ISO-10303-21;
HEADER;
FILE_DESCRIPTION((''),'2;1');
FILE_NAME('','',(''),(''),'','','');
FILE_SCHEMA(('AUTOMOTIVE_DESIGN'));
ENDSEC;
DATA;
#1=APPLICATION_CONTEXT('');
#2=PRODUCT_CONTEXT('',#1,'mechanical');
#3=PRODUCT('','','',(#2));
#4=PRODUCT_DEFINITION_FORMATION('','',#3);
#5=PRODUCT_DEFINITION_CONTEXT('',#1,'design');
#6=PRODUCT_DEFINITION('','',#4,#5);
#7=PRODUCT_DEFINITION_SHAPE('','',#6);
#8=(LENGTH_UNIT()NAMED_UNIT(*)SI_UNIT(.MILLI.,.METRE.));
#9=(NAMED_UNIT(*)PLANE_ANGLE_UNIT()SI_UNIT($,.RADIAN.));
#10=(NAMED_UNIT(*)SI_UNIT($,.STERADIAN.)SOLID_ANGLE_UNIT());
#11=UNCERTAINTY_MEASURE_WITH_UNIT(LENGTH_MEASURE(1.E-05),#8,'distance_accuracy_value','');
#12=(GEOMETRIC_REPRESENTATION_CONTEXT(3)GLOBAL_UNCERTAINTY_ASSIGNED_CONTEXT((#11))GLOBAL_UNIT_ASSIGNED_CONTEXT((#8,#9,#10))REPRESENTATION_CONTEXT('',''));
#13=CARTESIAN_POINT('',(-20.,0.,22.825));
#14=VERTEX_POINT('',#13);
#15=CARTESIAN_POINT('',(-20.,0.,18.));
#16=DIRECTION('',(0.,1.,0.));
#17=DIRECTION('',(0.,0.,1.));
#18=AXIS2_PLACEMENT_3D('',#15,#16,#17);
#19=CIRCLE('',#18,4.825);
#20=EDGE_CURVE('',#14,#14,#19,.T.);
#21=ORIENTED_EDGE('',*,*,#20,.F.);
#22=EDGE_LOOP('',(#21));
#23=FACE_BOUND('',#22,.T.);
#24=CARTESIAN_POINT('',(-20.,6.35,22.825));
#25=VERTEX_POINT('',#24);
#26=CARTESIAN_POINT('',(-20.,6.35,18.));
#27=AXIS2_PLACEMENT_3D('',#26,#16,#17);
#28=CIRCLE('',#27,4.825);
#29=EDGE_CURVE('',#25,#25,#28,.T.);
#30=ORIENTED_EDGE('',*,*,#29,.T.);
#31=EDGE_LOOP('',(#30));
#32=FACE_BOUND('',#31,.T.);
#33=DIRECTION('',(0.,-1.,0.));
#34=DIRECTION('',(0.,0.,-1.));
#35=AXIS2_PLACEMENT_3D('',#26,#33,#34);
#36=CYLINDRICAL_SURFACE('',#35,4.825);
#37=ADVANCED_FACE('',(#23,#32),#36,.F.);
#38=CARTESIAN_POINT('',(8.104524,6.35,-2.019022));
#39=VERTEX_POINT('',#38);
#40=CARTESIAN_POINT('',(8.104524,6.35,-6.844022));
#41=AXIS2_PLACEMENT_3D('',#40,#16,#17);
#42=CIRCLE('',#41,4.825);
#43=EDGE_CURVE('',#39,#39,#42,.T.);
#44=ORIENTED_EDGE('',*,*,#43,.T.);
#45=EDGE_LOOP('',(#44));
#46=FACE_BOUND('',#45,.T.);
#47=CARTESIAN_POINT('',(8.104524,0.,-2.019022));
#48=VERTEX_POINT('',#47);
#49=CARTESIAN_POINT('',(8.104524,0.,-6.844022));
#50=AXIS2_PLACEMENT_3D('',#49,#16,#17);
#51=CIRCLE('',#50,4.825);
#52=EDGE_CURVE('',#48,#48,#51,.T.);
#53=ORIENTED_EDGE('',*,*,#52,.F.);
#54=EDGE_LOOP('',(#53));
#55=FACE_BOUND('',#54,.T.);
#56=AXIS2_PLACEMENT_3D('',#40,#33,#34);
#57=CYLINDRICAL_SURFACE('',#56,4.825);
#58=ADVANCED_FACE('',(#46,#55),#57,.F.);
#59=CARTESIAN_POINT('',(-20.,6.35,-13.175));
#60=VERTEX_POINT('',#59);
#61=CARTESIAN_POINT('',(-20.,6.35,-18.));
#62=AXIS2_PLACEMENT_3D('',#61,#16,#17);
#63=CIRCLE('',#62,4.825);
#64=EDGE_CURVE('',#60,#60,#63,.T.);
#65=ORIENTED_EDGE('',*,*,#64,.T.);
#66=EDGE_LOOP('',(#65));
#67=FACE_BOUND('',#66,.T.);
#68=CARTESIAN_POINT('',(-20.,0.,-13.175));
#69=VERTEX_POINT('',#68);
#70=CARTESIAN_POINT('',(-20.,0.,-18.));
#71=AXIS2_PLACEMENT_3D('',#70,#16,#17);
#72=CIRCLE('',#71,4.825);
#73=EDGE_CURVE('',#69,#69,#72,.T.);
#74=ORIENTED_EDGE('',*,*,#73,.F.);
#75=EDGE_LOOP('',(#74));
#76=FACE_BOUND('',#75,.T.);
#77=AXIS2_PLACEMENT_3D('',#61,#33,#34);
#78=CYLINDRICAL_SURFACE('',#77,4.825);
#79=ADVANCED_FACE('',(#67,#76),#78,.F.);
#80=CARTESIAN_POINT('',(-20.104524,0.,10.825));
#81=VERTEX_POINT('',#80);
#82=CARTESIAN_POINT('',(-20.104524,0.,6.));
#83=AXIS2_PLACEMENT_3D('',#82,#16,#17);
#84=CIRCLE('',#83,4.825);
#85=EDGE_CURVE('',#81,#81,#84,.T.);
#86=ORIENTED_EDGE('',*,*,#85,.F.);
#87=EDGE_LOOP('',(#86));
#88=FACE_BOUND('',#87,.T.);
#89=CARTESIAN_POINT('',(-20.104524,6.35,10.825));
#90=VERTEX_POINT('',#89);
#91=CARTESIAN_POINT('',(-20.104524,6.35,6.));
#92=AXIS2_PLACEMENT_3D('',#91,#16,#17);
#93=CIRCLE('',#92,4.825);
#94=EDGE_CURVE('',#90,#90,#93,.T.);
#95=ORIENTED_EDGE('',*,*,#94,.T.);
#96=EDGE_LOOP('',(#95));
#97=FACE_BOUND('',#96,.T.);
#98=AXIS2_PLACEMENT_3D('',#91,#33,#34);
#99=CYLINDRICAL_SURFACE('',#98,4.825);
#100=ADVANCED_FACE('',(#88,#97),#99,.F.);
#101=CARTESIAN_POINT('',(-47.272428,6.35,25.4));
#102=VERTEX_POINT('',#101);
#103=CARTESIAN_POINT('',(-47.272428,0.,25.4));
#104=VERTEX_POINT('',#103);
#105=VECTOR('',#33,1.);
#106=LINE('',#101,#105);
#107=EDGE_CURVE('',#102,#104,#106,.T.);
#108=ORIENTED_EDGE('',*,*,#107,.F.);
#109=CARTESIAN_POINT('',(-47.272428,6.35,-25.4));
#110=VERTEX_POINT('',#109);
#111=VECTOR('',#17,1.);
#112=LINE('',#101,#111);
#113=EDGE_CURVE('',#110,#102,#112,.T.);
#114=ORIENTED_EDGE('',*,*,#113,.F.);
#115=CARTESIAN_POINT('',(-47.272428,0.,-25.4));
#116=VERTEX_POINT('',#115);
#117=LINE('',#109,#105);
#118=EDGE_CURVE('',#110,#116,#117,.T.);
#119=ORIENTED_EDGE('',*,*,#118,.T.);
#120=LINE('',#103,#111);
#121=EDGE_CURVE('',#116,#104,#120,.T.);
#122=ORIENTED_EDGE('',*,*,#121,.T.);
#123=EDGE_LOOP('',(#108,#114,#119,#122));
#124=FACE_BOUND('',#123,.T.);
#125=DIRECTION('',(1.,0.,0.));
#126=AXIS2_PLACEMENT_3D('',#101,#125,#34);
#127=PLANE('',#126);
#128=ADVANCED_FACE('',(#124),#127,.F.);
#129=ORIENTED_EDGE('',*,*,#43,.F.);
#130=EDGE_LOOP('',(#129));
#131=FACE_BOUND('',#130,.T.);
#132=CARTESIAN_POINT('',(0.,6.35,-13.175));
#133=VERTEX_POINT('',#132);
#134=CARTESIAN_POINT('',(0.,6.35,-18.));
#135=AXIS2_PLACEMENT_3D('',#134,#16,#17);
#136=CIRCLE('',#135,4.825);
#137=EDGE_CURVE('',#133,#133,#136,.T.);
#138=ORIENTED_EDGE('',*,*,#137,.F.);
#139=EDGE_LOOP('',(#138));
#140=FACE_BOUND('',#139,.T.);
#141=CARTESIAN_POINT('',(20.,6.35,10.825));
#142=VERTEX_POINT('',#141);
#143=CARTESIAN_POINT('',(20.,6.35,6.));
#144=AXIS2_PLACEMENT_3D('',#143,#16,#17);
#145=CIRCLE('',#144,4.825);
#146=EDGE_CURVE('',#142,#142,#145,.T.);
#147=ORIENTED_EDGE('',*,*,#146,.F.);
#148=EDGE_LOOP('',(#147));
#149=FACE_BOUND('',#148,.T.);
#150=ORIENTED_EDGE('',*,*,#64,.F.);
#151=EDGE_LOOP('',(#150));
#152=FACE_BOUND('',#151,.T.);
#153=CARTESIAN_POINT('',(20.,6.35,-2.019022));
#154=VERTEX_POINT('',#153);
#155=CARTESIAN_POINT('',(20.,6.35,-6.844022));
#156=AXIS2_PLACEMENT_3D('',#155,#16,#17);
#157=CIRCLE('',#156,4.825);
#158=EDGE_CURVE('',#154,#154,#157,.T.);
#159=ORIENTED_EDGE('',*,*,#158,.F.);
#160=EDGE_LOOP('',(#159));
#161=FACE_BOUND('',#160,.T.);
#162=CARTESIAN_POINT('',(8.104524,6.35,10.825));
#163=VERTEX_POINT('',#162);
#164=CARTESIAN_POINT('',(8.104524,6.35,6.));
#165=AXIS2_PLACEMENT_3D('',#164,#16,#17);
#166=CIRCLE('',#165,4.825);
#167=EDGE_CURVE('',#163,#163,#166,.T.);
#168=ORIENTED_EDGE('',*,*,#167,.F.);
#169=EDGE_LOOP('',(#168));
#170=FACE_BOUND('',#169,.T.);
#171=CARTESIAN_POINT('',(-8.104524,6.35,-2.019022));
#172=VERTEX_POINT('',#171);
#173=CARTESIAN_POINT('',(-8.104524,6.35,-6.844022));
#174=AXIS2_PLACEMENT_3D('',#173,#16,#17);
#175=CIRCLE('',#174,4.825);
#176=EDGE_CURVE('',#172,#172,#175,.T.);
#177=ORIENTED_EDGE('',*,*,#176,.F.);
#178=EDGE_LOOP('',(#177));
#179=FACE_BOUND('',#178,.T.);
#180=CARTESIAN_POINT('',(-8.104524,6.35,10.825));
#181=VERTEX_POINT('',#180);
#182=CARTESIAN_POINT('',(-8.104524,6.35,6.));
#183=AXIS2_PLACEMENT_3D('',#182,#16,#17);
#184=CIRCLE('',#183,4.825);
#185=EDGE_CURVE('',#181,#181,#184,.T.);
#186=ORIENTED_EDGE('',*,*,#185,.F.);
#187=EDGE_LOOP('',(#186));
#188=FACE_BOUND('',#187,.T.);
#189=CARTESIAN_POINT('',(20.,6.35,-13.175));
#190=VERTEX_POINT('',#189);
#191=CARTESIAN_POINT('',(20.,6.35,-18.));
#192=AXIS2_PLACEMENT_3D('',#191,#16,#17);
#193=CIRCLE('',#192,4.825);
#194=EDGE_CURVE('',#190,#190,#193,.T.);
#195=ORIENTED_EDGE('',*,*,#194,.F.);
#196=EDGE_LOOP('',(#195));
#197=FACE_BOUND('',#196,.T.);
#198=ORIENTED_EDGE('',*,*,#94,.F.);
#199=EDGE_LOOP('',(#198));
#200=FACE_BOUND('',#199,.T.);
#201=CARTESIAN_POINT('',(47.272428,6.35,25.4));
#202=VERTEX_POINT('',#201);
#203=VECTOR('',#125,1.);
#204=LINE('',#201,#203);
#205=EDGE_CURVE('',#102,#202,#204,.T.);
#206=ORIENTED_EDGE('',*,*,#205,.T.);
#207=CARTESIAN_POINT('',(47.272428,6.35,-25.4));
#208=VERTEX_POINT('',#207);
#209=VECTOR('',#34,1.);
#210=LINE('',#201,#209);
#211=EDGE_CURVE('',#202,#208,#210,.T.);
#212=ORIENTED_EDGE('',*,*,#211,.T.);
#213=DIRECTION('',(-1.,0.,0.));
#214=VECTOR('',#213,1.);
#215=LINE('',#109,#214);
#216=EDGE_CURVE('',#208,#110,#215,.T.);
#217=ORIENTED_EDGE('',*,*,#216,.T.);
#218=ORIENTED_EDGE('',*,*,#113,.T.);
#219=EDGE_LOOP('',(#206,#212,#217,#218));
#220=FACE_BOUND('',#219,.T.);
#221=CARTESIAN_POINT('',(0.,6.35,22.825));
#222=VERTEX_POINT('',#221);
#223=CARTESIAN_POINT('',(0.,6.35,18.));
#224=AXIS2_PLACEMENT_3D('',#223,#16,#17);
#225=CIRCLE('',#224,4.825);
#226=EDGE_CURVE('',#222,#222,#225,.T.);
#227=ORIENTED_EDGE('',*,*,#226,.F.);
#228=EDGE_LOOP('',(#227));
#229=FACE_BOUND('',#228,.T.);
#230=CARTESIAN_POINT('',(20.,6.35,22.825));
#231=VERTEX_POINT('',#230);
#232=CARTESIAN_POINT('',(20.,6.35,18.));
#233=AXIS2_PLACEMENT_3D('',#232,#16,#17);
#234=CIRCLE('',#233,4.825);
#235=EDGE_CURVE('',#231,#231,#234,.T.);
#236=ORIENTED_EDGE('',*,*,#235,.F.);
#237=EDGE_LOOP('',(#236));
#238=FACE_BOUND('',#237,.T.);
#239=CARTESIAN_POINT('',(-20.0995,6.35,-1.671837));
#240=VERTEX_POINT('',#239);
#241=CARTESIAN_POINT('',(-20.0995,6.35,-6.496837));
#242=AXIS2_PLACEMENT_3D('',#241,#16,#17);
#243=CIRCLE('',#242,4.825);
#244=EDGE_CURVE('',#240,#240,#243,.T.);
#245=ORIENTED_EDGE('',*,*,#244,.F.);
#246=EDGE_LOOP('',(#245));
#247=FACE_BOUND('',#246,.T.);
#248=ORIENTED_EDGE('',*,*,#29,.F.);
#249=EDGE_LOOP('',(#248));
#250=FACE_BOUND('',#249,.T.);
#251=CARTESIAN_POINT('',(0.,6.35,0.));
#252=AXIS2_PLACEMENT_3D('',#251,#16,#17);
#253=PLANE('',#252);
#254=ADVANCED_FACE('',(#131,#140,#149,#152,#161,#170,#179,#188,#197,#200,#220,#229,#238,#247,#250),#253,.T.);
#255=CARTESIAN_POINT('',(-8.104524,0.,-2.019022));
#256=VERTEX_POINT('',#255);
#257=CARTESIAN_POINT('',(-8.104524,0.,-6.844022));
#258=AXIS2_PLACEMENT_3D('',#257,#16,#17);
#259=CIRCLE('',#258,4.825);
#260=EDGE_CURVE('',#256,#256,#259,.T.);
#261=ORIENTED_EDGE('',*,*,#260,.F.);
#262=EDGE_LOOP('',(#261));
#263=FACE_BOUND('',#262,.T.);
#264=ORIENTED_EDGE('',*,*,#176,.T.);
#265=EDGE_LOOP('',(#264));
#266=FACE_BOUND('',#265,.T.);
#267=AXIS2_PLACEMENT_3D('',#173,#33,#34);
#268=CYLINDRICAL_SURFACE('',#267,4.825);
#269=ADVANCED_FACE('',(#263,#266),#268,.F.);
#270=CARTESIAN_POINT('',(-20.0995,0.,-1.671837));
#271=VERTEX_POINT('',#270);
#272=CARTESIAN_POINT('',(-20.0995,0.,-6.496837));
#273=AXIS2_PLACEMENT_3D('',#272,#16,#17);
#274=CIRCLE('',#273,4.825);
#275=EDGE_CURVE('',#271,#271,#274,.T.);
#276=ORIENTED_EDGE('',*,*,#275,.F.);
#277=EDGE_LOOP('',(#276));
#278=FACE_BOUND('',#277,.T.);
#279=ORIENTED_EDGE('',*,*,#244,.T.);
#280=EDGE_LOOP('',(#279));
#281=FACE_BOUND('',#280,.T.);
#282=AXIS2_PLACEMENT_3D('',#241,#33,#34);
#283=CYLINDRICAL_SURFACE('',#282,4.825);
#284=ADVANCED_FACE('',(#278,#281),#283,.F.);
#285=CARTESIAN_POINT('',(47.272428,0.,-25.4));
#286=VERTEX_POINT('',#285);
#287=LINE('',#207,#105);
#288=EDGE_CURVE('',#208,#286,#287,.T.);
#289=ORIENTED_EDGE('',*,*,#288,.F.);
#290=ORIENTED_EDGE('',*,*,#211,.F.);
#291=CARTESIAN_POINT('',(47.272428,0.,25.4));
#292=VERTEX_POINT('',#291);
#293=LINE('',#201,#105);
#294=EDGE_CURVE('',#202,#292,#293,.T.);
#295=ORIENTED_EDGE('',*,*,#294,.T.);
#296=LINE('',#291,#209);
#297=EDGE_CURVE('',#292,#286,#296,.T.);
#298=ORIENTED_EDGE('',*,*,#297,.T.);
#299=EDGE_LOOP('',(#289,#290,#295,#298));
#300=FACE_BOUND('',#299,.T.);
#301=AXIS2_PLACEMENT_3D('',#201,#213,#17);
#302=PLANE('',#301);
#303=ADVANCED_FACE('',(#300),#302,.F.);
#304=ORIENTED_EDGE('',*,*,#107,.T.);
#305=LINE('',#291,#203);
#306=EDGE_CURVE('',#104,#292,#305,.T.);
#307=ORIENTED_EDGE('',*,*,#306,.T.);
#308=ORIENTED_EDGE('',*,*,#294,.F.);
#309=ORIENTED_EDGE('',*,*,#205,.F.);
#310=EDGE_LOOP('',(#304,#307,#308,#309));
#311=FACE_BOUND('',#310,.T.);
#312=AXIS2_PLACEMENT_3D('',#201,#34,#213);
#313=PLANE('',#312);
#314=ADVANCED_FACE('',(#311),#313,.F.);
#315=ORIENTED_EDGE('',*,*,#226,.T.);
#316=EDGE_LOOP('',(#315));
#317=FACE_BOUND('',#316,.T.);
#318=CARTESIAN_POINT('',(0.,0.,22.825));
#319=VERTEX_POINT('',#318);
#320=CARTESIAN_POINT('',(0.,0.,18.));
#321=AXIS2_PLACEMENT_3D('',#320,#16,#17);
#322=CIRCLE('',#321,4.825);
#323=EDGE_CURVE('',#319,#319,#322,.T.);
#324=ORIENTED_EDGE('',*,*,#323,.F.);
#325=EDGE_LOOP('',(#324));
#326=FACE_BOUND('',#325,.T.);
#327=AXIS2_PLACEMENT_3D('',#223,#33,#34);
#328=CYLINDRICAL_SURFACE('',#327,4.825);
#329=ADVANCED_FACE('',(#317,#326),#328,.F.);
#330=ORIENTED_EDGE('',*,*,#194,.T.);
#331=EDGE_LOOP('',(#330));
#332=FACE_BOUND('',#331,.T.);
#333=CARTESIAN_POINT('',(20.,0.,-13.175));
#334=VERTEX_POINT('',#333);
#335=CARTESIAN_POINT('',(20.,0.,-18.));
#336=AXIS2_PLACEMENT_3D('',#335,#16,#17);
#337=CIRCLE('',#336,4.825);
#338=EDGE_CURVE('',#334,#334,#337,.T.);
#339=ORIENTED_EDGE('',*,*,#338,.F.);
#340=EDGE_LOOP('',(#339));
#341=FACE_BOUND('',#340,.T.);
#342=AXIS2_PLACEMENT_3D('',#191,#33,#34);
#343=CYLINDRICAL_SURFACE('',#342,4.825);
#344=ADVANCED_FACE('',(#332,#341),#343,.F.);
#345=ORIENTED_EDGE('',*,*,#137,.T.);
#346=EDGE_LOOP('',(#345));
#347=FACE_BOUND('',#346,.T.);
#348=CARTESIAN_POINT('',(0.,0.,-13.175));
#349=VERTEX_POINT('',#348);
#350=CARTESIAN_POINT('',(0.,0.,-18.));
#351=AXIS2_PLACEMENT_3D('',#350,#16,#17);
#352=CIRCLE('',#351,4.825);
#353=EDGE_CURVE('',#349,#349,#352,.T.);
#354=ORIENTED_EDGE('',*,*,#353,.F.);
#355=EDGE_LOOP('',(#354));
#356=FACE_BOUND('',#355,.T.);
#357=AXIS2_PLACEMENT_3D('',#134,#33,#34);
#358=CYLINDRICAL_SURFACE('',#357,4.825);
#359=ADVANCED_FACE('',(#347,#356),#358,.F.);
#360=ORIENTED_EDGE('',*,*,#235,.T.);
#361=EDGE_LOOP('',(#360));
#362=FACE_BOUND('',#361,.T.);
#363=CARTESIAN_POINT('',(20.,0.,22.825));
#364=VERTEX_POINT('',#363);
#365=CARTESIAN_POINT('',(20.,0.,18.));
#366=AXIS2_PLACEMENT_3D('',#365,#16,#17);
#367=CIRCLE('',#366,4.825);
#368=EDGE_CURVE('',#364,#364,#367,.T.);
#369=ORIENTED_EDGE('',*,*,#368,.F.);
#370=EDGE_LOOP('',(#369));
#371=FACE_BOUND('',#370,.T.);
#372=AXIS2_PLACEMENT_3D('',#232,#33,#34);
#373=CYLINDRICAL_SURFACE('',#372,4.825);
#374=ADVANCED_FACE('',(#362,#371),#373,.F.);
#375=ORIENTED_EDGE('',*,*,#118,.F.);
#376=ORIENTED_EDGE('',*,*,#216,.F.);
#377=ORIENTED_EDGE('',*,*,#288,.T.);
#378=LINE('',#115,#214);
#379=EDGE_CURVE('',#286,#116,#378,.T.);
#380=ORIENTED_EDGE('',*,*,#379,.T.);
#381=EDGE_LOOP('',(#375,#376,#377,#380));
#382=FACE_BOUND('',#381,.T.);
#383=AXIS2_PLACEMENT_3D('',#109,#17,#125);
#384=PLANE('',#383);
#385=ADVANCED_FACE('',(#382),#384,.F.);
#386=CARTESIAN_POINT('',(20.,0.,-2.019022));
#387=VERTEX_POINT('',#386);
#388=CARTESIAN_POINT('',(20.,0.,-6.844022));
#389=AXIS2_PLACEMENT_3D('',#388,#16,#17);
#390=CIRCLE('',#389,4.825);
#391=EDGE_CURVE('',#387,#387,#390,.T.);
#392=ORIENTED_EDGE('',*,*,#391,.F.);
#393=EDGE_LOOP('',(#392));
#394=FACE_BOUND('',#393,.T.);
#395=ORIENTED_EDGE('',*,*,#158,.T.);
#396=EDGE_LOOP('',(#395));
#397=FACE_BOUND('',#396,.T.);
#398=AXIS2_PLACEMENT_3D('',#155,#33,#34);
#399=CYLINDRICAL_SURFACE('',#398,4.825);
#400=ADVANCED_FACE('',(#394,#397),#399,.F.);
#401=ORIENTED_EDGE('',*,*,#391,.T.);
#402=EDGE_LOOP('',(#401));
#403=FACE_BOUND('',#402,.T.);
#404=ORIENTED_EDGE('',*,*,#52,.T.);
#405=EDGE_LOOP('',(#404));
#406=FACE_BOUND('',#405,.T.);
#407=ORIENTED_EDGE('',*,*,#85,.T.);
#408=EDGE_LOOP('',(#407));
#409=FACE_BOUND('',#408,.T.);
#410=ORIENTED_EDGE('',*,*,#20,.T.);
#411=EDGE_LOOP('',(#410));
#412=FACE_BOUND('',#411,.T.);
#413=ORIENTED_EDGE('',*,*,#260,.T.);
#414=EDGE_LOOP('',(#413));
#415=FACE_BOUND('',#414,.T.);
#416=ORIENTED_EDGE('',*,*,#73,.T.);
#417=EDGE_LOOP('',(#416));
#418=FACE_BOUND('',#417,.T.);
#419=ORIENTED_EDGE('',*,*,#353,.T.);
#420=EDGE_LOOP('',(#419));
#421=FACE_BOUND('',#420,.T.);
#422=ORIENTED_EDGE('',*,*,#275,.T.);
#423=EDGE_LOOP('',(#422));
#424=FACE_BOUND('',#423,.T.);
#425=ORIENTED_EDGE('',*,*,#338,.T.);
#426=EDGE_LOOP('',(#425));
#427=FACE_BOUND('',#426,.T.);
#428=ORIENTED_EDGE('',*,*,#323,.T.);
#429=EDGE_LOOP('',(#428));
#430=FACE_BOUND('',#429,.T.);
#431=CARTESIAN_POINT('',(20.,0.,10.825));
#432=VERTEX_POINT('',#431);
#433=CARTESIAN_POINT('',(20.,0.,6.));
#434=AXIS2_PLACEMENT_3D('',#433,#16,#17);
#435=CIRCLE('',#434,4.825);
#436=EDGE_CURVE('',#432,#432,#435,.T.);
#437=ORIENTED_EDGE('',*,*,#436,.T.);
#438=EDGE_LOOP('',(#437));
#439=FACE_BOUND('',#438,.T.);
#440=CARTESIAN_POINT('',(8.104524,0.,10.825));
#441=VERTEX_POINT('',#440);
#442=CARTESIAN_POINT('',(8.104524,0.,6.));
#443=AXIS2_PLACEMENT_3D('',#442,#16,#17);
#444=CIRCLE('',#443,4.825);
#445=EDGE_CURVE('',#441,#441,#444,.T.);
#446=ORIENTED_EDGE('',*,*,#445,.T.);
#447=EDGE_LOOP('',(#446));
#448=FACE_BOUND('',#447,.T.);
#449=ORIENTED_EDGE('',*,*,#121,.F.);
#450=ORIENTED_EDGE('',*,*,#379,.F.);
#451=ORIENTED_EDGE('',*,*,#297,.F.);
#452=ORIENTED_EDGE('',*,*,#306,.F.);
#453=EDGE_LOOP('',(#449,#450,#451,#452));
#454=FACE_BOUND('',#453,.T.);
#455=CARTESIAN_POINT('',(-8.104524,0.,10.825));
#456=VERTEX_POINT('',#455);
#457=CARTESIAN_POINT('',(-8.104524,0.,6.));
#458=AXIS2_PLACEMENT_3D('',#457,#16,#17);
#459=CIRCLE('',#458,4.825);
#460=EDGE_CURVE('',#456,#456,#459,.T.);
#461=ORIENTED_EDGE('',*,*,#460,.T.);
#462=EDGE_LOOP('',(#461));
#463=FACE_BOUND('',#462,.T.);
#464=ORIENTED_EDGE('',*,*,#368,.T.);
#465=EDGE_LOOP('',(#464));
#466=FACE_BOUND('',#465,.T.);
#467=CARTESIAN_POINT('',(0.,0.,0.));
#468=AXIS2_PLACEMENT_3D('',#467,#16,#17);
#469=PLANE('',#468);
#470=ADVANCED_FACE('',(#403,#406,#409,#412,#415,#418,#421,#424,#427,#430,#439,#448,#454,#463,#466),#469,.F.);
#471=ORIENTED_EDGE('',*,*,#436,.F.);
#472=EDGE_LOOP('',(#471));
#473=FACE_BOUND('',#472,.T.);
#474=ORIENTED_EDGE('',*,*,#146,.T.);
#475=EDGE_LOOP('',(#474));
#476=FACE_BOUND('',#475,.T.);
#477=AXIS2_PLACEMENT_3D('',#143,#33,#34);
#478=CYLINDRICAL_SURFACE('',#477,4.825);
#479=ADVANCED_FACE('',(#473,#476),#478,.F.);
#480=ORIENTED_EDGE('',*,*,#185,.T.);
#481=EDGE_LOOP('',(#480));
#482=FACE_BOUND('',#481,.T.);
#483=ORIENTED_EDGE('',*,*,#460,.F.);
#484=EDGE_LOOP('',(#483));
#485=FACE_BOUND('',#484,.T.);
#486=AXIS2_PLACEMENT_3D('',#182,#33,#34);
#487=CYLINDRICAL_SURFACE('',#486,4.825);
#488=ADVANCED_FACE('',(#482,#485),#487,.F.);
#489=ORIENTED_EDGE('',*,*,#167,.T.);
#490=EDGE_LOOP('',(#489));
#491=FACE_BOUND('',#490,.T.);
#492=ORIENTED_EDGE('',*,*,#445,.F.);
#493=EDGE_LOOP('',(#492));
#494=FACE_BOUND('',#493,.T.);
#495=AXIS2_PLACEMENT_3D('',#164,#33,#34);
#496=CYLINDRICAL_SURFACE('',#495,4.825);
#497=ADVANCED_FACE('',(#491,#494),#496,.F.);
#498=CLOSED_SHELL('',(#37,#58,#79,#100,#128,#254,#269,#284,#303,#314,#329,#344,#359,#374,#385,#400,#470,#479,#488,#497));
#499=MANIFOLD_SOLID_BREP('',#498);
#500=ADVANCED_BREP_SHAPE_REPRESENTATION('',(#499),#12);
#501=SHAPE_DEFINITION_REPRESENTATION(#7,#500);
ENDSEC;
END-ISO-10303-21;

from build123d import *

# Parameters (mm, degrees)
SKETCH1_W           = 94.54485576
SKETCH1_H           = 50.8
SKETCH1_R           = 4.825
BOSS_EXTRUDE1_DEPTH = 6.35


with BuildPart() as part:
    # Sketch1 → Boss-Extrude1 (new body)
    with BuildSketch(Plane(origin=(0, 0, 0), x_dir=(1, 0, 0), z_dir=(0, 1, 0))):
        Rectangle(SKETCH1_W, SKETCH1_H)
        with Locations(Location((0, 18, 0), (0, 0, 270))):
            Circle(SKETCH1_R, mode=Mode.SUBTRACT)
        with Locations(Location((0, -18, 0), (0, 0, 270))):
            Circle(SKETCH1_R, mode=Mode.SUBTRACT)
        with Locations(Location((20, 18, 0), (0, 0, 270))):
            Circle(SKETCH1_R, mode=Mode.SUBTRACT)
        with Locations(Location((20, 6.844021817, 0), (0, 0, 270))):
            Circle(SKETCH1_R, mode=Mode.SUBTRACT)
        with Locations(Location((20, -6, 0), (0, 0, 270))):
            Circle(SKETCH1_R, mode=Mode.SUBTRACT)
        with Locations(Location((20, -18, 0), (0, 0, 270))):
            Circle(SKETCH1_R, mode=Mode.SUBTRACT)
        with Locations(Location((-20, 18, 0), (0, 0, 270))):
            Circle(SKETCH1_R, mode=Mode.SUBTRACT)
        with Locations(Location((-20.099500439, 6.496836504, 0), (0, 0, 270))):
            Circle(SKETCH1_R, mode=Mode.SUBTRACT)
        with Locations(Location((-20.104523892, -6, 0), (0, 0, 270))):
            Circle(SKETCH1_R, mode=Mode.SUBTRACT)
        with Locations(Location((-20, -18, 0), (0, 0, 270))):
            Circle(SKETCH1_R, mode=Mode.SUBTRACT)
        with Locations(Location((-8.104523892, 6.844021817, 0), (0, 0, 270))):
            Circle(SKETCH1_R, mode=Mode.SUBTRACT)
        with Locations(Location((-8.104523892, -6, 0), (0, 0, 270))):
            Circle(SKETCH1_R, mode=Mode.SUBTRACT)
        with Locations(Location((8.104523892, 6.844021817, 0), (0, 0, 270))):
            Circle(SKETCH1_R, mode=Mode.SUBTRACT)
        with Locations(Location((8.104523892, -6, 0), (0, 0, 270))):
            Circle(SKETCH1_R, mode=Mode.SUBTRACT)
    extrude(amount=BOSS_EXTRUDE1_DEPTH)


solid = part.part
